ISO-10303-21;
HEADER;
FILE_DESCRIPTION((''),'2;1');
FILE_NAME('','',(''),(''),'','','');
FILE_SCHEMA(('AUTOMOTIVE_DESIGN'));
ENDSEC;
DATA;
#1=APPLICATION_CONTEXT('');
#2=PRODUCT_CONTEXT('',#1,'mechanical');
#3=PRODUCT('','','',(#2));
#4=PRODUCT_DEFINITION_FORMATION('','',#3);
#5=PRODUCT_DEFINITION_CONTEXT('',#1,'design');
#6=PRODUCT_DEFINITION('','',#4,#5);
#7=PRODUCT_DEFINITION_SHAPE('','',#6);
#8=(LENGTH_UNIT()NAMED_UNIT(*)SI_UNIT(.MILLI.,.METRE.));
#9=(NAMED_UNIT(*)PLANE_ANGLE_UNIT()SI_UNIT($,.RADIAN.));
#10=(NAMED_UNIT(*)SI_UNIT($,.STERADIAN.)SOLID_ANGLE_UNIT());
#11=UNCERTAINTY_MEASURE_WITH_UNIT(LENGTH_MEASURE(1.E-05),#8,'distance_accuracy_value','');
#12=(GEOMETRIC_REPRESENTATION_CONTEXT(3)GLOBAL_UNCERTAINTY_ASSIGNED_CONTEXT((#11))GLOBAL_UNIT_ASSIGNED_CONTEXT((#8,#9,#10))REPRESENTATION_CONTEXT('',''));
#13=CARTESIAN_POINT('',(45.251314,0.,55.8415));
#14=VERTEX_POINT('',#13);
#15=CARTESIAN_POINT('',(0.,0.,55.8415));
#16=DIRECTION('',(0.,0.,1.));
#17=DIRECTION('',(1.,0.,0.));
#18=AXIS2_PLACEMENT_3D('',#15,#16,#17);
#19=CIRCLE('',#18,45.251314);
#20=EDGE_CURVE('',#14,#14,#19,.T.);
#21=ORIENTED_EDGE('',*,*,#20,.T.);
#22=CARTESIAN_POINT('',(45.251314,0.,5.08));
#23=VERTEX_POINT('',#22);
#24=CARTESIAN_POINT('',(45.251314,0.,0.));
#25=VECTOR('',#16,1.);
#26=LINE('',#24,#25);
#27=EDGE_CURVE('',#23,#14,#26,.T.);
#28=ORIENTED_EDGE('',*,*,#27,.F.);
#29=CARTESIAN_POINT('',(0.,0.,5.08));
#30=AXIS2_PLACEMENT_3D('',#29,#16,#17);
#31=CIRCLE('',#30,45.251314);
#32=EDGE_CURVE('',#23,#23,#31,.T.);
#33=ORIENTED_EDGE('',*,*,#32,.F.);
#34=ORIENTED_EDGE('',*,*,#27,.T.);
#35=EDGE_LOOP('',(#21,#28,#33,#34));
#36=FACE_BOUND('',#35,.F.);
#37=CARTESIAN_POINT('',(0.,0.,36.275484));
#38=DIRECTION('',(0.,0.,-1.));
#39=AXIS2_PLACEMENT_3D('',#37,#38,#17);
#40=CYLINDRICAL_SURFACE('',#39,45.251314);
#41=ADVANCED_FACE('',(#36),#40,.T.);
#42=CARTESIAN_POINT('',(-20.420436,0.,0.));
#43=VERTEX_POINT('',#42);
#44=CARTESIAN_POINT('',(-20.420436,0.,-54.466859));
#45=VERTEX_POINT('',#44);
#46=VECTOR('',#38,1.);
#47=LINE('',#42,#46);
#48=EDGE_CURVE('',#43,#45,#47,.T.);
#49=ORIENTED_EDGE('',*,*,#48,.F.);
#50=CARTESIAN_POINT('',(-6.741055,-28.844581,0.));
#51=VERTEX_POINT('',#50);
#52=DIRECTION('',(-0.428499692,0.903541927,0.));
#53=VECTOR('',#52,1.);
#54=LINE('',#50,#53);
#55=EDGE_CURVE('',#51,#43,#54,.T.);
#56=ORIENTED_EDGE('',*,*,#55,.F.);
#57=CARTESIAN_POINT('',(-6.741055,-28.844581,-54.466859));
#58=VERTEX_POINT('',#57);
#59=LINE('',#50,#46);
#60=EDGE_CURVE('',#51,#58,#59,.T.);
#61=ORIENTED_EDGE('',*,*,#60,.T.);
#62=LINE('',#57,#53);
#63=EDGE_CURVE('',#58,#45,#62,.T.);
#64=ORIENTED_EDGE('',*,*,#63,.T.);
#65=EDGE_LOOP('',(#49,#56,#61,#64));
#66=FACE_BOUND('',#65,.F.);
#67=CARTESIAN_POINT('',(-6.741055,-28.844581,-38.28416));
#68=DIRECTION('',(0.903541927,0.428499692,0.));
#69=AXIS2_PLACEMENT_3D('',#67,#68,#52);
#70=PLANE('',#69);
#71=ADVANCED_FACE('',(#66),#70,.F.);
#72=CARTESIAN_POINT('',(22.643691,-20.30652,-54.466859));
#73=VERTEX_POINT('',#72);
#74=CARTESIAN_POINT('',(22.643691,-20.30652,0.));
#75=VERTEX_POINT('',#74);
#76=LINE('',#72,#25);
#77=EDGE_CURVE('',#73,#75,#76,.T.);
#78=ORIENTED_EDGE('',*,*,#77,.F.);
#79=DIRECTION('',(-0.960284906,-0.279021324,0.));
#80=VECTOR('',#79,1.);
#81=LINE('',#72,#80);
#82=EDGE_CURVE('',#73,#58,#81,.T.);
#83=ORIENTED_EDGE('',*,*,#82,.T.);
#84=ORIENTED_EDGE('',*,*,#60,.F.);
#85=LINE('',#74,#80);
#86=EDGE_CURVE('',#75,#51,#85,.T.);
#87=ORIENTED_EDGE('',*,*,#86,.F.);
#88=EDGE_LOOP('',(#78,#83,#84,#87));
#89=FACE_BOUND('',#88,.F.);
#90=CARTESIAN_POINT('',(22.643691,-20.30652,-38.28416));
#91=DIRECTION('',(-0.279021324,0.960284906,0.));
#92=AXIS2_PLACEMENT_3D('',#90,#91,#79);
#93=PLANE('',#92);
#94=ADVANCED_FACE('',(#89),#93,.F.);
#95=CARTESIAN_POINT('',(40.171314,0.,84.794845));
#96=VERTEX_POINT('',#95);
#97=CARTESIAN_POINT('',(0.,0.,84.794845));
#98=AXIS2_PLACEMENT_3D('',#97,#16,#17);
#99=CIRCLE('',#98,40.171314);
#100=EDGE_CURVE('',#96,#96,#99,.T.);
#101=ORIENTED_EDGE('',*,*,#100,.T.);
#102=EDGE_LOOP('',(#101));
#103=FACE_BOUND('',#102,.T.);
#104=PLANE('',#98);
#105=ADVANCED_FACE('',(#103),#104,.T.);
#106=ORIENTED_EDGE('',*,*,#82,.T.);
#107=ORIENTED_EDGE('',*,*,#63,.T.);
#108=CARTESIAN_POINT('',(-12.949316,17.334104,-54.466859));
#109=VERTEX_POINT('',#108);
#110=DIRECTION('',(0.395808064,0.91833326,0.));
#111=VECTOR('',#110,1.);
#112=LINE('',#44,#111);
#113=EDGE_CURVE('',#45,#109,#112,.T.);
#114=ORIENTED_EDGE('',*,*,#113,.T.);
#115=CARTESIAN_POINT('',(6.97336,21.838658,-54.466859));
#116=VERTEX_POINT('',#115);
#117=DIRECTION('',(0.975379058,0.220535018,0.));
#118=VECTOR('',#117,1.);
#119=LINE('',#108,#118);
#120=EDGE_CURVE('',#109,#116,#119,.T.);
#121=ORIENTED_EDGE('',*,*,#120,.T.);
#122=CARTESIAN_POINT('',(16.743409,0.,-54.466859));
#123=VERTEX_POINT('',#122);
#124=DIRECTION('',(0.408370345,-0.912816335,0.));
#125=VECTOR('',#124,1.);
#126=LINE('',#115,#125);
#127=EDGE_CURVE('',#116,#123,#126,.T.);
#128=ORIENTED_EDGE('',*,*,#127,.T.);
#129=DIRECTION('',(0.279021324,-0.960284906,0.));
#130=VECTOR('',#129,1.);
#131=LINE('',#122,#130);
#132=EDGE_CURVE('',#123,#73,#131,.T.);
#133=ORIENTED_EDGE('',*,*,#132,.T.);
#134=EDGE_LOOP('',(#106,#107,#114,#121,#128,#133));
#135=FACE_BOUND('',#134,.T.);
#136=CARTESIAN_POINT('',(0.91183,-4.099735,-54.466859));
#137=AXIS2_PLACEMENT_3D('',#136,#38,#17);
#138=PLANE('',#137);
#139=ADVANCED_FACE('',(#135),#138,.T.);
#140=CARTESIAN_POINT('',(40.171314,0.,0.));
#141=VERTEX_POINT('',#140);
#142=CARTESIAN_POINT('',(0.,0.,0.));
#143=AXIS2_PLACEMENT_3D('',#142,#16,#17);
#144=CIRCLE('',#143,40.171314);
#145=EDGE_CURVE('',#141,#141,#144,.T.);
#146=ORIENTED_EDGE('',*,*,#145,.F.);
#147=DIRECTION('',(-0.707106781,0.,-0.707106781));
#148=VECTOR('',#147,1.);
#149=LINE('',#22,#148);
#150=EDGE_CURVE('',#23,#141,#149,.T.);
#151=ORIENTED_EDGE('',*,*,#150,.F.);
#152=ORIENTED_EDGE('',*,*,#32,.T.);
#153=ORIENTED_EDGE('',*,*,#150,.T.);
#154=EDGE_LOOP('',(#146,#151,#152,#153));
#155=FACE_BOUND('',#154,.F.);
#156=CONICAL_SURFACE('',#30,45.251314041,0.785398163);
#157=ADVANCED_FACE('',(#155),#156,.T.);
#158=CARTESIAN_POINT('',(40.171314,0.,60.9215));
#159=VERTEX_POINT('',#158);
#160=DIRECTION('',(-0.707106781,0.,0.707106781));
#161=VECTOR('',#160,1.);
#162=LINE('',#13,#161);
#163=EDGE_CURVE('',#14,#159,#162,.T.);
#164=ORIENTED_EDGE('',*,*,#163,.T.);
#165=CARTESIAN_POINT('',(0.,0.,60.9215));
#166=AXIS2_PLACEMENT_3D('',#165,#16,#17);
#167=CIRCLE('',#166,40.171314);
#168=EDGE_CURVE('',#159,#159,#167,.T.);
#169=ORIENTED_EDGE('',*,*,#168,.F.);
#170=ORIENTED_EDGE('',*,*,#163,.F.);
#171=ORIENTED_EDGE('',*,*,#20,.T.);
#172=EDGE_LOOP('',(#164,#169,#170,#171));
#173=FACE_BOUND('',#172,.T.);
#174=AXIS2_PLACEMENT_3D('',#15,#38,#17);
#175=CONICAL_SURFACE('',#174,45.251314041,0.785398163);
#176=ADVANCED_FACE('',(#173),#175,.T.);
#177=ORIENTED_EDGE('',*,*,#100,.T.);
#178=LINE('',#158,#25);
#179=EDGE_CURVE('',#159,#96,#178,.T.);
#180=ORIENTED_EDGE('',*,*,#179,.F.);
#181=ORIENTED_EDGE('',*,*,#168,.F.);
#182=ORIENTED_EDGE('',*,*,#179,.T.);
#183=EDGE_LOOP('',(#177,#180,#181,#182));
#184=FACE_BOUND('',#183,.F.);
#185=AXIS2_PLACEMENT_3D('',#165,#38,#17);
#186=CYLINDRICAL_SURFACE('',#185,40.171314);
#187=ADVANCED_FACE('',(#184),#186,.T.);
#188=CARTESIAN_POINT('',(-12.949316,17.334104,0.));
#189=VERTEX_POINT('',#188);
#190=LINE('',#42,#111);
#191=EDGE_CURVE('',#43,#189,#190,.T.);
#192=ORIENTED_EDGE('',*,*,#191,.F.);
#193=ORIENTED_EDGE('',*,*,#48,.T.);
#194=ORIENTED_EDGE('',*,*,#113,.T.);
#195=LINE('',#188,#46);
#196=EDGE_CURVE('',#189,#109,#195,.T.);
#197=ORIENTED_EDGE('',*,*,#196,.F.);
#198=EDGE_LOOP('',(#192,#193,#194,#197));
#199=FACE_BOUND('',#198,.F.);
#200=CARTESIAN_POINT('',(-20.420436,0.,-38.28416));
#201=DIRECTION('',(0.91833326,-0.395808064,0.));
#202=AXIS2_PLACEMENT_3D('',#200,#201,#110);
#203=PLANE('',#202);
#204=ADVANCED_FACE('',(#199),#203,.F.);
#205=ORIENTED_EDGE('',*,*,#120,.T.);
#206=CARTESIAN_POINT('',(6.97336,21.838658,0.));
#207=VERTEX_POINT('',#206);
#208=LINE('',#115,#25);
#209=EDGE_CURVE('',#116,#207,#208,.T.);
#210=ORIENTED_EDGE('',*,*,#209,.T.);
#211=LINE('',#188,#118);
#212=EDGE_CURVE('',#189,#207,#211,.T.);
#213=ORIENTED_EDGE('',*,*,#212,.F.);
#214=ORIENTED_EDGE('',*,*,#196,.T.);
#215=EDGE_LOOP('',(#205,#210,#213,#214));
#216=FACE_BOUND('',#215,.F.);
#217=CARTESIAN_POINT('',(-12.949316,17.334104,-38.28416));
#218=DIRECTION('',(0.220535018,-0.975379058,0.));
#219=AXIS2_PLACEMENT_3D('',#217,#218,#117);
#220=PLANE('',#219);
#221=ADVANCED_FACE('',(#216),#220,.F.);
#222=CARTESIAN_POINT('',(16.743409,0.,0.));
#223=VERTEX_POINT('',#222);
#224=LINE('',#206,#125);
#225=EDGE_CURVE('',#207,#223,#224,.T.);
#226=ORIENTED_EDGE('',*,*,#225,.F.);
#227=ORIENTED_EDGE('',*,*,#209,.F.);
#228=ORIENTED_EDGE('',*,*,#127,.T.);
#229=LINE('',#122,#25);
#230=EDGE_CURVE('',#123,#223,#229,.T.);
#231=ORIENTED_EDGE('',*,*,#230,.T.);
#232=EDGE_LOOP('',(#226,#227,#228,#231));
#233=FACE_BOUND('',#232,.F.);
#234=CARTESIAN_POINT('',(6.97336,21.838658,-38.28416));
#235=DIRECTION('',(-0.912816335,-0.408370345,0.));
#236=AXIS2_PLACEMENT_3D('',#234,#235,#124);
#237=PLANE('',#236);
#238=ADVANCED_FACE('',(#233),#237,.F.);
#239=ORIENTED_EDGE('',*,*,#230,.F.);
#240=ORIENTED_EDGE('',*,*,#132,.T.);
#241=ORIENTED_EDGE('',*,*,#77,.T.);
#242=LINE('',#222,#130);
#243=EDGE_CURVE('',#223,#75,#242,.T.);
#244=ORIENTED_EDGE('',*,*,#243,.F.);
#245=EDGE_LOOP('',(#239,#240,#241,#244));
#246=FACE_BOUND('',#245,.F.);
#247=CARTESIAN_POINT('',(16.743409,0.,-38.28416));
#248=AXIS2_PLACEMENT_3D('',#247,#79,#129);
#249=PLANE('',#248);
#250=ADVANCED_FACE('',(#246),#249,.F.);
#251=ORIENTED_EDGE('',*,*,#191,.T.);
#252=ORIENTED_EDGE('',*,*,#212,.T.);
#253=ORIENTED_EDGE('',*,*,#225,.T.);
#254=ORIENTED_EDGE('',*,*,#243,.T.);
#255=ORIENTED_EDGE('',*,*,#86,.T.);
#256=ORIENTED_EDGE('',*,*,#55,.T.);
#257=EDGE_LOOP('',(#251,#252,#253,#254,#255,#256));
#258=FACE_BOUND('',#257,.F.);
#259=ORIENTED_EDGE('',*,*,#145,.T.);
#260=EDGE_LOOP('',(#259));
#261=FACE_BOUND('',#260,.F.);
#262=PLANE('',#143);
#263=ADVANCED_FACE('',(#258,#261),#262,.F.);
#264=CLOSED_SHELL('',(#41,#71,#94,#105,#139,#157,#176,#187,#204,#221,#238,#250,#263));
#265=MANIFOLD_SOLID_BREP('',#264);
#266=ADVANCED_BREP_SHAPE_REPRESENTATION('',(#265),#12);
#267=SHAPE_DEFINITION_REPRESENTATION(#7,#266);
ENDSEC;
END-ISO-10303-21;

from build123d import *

# Parameters (mm, degrees)
F0_R     = 45.2513140414
F1_DEPTH = 36.2754836679
F3_DEPTH = 38.2841601968
F5_DEPTH = 24.6460158378
F6_SIZE  = 5.08
F7_DEPTH = 23.8733459264
F8_DEPTH = 16.1826983094


with BuildPart() as f1:
    # F0 (on Top) → F1 (new body)
    with BuildSketch(Plane.XY):
        Circle(F0_R)
    extrude(amount=F1_DEPTH)

    # F2 (on face) → F3 (join)
    with BuildSketch(Plane(origin=(0, 0, 0), x_dir=(1, 0, 0), z_dir=(0, 0, -1))):
        Polygon((-12.9493158311, -17.3341035843), (6.9733597338, -21.838657558), (16.743408516, 0), (22.6436909288, 20.306520164), (-6.7410551447, 28.8445807998), (-20.420435816, 0), align=None)
    extrude(amount=F3_DEPTH)

    # F5 (add): a face of the model
    f5_faces = [f1.faces().sort_by_distance(p)[0] for p in [
        (0, 0, 36.2754836679),
    ]]
    extrude(f5_faces, amount=F5_DEPTH)

    # F6
    f6_edges = [f1.edges().sort_by_distance(p)[0] for p in [
        (-45.251314, 0, 60.9215),
        (-45.251314, 0, 0),
        (45.251314, 0, 30.46075),
    ]]
    chamfer(f6_edges, length=F6_SIZE)

    # F7 (add): a face of the model
    f7_faces = [f1.faces().sort_by_distance(p)[0] for p in [
        (0, 0, 60.9214995056),
    ]]
    extrude(f7_faces, amount=F7_DEPTH)

    # F4 (on face) → F8 (join)
    with BuildSketch(Plane(origin=(0, 0, -38.2841601968), x_dir=(1, 0, 0), z_dir=(0, 0, -1))):
        Polygon((22.6436909288, 20.306520164), (-6.7410551447, 28.8445807998), (-20.420435816, 0), (-12.9493158311, -17.3341035843), (6.9733597338, -21.838657558), (16.743408516, 0), align=None)
    extrude(amount=F8_DEPTH)


solid = f1.part
